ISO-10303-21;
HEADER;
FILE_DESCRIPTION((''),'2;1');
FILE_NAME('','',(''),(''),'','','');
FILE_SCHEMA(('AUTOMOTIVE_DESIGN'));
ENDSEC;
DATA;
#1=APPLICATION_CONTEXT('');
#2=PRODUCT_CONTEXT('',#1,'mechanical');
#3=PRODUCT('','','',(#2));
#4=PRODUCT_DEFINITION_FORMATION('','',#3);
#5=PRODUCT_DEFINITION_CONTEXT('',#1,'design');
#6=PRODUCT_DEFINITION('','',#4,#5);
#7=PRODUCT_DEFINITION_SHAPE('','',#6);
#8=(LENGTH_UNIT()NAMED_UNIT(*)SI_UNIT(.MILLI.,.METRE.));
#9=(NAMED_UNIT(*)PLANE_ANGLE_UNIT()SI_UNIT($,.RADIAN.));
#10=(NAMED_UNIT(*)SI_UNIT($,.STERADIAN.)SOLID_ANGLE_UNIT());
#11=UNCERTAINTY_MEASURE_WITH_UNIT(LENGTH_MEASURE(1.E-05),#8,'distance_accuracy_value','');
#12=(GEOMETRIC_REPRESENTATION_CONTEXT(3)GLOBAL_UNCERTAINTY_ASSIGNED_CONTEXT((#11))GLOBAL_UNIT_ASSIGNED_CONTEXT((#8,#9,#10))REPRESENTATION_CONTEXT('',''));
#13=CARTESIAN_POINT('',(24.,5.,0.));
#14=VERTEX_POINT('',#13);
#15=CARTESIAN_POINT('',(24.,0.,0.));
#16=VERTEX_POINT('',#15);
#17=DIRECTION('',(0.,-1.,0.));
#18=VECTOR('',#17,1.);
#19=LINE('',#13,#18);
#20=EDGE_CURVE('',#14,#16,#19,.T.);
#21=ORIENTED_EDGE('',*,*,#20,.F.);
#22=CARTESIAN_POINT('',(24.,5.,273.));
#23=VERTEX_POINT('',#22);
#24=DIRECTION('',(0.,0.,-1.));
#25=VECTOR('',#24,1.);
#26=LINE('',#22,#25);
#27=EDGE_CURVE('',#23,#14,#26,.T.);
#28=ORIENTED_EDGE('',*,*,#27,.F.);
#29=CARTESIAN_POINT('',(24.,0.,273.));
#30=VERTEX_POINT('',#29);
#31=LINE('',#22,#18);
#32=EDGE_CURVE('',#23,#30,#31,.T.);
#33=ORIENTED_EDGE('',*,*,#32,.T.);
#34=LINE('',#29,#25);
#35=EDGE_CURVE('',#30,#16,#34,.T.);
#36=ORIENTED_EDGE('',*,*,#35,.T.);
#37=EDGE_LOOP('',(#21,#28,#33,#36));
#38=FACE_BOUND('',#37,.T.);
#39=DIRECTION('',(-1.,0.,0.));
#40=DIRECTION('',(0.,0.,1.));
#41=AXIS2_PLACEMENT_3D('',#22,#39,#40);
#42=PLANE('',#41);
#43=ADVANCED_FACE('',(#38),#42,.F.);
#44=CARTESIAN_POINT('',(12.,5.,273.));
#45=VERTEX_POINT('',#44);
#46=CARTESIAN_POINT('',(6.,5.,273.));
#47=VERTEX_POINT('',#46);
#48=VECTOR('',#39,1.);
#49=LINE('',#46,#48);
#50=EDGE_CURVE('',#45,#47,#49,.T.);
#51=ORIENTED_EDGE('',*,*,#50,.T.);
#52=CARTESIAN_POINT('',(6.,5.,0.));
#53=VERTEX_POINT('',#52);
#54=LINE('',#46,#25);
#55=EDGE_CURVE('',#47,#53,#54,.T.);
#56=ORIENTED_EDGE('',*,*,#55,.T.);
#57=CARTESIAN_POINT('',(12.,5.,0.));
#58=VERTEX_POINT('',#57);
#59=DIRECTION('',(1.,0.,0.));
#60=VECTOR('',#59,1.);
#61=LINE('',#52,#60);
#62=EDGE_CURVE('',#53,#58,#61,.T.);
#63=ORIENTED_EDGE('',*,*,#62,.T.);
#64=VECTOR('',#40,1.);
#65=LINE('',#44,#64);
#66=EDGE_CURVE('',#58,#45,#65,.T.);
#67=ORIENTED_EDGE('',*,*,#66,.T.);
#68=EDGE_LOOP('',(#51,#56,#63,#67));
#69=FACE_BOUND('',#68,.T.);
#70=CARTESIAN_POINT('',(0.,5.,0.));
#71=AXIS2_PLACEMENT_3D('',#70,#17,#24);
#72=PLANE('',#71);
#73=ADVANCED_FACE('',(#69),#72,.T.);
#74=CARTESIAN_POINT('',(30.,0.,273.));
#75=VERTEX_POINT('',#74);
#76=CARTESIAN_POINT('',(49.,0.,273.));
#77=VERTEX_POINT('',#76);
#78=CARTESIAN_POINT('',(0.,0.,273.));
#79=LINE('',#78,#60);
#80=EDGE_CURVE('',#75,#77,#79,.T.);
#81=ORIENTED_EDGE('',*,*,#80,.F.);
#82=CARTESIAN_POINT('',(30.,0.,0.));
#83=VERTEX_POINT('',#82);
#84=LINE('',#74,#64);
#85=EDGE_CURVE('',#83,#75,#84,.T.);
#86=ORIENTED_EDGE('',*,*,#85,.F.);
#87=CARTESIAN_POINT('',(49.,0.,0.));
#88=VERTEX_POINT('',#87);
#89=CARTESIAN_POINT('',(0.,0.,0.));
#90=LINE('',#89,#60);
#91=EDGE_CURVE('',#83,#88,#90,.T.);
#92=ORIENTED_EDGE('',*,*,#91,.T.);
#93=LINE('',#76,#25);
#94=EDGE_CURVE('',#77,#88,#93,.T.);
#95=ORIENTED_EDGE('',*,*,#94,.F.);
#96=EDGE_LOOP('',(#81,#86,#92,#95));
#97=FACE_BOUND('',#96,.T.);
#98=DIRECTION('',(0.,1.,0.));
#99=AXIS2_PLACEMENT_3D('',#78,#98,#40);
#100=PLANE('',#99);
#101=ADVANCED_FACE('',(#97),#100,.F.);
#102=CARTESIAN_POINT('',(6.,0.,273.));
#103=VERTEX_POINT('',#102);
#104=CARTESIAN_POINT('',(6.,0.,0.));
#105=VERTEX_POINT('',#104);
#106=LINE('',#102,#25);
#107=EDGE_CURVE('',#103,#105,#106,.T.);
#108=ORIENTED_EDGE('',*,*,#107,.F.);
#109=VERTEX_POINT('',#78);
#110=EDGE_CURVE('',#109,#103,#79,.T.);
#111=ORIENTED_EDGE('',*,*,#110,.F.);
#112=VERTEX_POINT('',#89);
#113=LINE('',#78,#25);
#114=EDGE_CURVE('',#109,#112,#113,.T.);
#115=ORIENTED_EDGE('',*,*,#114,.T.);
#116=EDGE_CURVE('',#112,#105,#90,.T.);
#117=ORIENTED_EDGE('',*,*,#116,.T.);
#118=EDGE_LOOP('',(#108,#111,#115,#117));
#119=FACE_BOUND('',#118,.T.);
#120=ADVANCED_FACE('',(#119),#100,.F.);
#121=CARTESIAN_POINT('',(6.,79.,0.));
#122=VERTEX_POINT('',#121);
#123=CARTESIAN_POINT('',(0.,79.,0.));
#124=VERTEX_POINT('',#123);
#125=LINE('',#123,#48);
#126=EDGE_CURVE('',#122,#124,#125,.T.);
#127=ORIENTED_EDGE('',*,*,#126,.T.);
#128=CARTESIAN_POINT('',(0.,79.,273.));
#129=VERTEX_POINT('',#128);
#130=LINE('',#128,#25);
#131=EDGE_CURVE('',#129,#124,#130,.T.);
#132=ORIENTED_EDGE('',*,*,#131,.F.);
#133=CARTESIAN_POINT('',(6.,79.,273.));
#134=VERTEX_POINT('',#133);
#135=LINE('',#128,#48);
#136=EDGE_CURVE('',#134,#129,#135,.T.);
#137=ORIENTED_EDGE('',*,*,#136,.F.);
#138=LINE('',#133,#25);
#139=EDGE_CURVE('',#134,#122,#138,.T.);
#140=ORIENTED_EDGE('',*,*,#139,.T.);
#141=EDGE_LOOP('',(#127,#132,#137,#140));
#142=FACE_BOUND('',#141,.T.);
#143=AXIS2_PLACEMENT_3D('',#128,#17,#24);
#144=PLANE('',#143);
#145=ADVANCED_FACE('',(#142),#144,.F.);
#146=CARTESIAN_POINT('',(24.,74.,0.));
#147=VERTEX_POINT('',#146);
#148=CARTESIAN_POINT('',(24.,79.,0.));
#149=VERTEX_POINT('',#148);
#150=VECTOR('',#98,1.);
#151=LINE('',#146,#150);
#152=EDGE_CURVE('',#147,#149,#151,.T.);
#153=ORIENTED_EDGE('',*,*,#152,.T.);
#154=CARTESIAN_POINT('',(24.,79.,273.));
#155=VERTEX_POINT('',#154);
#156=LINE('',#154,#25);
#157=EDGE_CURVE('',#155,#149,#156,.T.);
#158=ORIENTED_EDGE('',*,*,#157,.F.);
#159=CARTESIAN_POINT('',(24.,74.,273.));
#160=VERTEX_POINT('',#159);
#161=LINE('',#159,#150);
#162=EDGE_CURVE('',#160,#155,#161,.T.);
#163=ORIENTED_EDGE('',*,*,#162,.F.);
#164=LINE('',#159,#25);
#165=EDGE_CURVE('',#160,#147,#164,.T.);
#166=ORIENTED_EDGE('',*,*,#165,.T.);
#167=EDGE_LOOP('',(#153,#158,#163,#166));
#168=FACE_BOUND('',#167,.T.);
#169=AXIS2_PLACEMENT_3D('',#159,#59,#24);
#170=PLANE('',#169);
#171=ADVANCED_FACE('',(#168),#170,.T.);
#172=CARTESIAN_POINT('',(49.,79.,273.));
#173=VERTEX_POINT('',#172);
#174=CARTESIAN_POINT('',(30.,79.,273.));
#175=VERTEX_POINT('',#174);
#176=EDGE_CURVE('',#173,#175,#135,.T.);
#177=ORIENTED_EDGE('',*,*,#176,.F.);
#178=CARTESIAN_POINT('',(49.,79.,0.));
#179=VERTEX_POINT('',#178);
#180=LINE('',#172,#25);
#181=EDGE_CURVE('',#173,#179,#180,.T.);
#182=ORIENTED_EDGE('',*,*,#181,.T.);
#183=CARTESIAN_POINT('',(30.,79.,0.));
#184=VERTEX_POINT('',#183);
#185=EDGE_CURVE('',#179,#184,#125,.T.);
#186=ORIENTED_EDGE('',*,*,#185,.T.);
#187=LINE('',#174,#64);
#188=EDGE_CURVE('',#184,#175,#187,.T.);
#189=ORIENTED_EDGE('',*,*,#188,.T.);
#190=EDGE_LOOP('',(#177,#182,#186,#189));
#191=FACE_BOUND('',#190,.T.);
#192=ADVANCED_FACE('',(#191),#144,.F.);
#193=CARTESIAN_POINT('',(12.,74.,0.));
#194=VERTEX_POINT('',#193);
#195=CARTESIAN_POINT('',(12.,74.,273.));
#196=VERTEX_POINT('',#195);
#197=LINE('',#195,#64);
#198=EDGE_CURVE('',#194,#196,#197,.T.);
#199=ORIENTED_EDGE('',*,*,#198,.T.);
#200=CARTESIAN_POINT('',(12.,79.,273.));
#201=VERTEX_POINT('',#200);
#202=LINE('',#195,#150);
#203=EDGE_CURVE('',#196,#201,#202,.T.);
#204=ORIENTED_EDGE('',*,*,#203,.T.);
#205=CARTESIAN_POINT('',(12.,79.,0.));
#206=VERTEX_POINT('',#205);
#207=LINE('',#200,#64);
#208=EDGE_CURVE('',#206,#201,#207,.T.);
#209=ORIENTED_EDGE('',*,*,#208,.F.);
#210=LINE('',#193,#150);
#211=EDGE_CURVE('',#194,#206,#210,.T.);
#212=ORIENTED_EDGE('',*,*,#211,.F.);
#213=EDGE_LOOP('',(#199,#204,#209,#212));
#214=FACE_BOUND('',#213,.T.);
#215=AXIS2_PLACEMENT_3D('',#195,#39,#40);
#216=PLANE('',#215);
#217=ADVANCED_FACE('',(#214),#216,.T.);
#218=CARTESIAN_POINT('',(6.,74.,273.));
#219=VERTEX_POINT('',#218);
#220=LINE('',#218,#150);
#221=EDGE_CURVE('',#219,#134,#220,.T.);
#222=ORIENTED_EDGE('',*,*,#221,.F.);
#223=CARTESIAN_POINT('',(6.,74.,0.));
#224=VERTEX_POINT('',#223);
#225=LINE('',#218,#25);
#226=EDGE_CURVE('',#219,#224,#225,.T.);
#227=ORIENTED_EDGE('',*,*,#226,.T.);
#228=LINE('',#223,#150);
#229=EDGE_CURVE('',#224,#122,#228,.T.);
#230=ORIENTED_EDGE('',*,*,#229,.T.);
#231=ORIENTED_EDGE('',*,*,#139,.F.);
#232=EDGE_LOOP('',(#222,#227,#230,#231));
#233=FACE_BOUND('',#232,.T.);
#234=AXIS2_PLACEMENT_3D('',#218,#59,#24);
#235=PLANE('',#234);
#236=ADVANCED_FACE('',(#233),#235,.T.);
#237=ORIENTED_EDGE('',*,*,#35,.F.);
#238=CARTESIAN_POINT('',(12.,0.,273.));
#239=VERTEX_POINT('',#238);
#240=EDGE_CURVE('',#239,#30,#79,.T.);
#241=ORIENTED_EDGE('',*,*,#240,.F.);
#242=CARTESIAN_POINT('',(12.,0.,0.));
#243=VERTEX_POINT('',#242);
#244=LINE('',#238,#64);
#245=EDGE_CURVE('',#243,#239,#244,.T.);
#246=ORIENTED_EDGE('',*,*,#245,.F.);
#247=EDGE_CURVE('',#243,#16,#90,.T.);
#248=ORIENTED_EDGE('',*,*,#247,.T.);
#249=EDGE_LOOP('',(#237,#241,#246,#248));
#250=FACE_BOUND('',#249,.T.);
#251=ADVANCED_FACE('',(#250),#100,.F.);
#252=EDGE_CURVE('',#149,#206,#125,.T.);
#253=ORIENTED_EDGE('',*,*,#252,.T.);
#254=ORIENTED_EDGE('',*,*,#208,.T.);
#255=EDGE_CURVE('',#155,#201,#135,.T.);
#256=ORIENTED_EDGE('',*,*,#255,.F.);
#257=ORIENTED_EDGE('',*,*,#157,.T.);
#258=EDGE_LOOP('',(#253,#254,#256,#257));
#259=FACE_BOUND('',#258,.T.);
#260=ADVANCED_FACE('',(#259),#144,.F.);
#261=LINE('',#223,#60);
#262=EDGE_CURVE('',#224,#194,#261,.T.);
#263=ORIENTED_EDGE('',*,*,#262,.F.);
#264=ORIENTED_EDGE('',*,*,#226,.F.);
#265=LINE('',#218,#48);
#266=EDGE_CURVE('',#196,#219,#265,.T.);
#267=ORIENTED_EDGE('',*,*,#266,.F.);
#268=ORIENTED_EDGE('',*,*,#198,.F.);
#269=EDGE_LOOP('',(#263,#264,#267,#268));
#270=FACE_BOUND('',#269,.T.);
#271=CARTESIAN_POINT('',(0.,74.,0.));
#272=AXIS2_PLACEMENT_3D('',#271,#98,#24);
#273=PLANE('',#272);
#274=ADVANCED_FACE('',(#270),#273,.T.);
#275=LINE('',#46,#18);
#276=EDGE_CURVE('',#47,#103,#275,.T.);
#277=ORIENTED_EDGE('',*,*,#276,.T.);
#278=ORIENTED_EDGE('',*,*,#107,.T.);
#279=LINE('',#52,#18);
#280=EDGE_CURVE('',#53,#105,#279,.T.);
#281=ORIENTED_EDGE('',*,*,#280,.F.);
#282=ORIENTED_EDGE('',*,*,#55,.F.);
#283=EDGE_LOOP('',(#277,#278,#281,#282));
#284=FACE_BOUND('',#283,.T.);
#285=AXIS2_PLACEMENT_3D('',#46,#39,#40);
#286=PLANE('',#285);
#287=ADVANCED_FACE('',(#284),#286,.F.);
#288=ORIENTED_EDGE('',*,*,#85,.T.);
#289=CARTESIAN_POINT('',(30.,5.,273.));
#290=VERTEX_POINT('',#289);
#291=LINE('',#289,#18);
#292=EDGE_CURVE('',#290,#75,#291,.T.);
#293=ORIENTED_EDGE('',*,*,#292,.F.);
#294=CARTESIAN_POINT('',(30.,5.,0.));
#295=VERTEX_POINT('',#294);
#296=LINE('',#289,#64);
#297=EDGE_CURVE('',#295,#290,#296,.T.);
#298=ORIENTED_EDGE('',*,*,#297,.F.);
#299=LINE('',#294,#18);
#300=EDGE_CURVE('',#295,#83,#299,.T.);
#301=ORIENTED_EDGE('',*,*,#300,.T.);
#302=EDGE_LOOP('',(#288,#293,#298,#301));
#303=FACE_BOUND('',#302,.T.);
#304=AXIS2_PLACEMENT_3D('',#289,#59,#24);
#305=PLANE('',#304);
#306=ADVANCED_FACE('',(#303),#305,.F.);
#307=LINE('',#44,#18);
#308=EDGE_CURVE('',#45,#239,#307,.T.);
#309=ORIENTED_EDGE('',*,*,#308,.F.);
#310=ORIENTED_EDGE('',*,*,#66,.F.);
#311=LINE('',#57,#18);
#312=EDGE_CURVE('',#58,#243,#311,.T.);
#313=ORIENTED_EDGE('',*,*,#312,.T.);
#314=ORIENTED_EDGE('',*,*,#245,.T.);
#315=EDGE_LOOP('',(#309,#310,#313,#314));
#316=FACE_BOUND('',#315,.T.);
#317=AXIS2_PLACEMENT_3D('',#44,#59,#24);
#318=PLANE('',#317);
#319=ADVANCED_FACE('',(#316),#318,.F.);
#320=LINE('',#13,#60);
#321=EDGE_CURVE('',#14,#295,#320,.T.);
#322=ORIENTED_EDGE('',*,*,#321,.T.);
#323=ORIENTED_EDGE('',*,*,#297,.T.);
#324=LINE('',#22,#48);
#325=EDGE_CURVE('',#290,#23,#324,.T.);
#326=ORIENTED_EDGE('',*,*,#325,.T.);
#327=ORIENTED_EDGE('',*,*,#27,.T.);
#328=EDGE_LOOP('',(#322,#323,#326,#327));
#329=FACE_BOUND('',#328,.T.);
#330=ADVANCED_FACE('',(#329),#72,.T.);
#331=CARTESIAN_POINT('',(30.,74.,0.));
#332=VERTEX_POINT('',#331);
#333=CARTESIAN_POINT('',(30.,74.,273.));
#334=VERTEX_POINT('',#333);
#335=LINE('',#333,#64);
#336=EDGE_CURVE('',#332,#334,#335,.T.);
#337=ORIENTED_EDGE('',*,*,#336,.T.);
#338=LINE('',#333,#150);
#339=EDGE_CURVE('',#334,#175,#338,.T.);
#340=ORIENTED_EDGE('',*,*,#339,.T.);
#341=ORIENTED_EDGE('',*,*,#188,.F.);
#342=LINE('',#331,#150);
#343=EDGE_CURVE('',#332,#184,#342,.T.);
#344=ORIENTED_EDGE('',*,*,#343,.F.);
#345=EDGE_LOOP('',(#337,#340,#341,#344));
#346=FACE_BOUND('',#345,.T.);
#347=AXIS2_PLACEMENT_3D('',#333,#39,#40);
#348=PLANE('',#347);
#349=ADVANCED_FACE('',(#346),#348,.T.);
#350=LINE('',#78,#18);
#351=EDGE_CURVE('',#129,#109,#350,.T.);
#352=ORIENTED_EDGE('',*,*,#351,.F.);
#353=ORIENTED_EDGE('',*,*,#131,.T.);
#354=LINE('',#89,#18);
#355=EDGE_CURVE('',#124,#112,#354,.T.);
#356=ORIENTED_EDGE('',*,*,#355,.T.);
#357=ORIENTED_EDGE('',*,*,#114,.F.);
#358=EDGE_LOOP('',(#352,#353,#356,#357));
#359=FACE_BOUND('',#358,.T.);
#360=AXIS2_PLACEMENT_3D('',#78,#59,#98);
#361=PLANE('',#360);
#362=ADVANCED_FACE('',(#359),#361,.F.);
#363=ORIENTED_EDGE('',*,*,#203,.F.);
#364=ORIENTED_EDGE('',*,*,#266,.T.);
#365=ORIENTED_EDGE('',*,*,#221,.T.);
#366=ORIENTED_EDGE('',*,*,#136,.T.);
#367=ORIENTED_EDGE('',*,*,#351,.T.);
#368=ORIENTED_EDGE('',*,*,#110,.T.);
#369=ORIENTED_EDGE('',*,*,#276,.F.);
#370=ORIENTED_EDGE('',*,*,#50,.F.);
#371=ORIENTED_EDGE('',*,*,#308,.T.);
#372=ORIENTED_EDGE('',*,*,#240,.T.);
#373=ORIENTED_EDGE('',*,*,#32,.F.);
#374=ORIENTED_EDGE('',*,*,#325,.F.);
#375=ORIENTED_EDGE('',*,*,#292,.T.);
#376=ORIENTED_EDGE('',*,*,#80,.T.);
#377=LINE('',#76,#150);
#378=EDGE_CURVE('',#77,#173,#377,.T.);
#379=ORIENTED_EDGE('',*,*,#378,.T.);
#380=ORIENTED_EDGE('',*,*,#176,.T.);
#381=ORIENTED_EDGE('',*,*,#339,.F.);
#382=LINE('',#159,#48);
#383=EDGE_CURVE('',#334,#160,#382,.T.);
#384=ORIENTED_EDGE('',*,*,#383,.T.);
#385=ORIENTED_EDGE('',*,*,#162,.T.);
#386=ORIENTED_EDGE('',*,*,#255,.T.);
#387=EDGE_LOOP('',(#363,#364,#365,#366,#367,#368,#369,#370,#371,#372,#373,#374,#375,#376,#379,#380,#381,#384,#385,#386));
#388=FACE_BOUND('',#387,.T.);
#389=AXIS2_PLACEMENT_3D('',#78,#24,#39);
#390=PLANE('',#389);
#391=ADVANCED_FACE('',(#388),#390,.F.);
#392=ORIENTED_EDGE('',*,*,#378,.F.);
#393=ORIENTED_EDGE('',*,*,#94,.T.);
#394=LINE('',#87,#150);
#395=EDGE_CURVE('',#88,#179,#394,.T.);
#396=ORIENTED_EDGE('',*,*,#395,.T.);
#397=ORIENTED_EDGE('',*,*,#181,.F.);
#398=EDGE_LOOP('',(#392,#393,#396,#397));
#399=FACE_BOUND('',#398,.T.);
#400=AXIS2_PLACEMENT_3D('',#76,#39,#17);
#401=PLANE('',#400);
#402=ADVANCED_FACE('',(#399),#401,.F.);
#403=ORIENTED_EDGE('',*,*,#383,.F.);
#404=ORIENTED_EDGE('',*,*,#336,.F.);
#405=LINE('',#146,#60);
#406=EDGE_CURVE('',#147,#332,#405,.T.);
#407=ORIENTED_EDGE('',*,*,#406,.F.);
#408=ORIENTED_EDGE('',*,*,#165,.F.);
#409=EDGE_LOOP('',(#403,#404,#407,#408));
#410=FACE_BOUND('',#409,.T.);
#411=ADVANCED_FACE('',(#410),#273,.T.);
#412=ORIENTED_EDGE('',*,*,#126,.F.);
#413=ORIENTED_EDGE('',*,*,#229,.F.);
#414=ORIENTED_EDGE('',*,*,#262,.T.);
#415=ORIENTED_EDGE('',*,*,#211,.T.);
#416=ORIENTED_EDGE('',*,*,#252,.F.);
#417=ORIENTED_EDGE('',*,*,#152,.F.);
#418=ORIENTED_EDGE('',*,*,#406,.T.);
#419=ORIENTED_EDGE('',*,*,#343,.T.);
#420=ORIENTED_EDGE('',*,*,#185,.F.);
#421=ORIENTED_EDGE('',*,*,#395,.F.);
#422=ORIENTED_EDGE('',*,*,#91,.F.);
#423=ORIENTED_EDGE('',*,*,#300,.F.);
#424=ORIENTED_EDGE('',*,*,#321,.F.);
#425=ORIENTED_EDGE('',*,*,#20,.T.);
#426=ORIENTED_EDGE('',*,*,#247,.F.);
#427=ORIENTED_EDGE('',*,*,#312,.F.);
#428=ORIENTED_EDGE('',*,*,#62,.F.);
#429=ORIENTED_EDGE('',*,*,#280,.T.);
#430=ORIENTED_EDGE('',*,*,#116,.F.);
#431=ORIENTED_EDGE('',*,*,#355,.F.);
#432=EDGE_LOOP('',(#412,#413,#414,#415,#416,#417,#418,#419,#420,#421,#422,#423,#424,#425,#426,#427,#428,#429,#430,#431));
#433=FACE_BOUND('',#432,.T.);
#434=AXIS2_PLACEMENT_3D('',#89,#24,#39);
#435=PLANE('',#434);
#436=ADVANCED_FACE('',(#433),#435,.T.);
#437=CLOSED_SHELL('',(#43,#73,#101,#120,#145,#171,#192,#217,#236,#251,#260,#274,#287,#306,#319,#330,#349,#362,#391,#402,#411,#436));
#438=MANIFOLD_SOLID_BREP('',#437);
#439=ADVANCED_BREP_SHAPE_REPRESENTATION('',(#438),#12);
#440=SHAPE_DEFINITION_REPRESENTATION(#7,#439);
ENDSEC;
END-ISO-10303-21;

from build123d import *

# Parameters (mm, degrees)
ESQUISSE1_W             = 49
ESQUISSE1_H             = 79
BOSS_EXTRU_1_DEPTH      = 273
ESQUISSE2_W             = 6
ESQUISSE2_H             = 273
ENL_V_MAT_EXTRU_1_DEPTH = 5


with BuildPart() as part:
    # Esquisse1 → Boss.-Extru.1 (new body)
    with BuildSketch(Plane.XY):
        with Locations((24.5, 39.5)):
            Rectangle(ESQUISSE1_W, ESQUISSE1_H)
    extrude(amount=BOSS_EXTRU_1_DEPTH)

    # Esquisse2 → Enlèv. mat.-Extru.1 (cut)
    with BuildSketch(Plane.XZ):
        with Locations((9, 136.5)):
            Rectangle(ESQUISSE2_W, ESQUISSE2_H)
        with Locations((27, 136.5)):
            Rectangle(ESQUISSE2_W, ESQUISSE2_H)
    enl_v_mat_extru_1 = extrude(amount=-ENL_V_MAT_EXTRU_1_DEPTH, mode=Mode.SUBTRACT)

    # Symétrie2: Enlèv. mat.-Extru.1 across plane
    add(enl_v_mat_extru_1.mirror(Plane(origin=(0, 39.5, 0), x_dir=(0, 0, 1), z_dir=(0, -1, 0))), mode=Mode.SUBTRACT)


solid = part.part
